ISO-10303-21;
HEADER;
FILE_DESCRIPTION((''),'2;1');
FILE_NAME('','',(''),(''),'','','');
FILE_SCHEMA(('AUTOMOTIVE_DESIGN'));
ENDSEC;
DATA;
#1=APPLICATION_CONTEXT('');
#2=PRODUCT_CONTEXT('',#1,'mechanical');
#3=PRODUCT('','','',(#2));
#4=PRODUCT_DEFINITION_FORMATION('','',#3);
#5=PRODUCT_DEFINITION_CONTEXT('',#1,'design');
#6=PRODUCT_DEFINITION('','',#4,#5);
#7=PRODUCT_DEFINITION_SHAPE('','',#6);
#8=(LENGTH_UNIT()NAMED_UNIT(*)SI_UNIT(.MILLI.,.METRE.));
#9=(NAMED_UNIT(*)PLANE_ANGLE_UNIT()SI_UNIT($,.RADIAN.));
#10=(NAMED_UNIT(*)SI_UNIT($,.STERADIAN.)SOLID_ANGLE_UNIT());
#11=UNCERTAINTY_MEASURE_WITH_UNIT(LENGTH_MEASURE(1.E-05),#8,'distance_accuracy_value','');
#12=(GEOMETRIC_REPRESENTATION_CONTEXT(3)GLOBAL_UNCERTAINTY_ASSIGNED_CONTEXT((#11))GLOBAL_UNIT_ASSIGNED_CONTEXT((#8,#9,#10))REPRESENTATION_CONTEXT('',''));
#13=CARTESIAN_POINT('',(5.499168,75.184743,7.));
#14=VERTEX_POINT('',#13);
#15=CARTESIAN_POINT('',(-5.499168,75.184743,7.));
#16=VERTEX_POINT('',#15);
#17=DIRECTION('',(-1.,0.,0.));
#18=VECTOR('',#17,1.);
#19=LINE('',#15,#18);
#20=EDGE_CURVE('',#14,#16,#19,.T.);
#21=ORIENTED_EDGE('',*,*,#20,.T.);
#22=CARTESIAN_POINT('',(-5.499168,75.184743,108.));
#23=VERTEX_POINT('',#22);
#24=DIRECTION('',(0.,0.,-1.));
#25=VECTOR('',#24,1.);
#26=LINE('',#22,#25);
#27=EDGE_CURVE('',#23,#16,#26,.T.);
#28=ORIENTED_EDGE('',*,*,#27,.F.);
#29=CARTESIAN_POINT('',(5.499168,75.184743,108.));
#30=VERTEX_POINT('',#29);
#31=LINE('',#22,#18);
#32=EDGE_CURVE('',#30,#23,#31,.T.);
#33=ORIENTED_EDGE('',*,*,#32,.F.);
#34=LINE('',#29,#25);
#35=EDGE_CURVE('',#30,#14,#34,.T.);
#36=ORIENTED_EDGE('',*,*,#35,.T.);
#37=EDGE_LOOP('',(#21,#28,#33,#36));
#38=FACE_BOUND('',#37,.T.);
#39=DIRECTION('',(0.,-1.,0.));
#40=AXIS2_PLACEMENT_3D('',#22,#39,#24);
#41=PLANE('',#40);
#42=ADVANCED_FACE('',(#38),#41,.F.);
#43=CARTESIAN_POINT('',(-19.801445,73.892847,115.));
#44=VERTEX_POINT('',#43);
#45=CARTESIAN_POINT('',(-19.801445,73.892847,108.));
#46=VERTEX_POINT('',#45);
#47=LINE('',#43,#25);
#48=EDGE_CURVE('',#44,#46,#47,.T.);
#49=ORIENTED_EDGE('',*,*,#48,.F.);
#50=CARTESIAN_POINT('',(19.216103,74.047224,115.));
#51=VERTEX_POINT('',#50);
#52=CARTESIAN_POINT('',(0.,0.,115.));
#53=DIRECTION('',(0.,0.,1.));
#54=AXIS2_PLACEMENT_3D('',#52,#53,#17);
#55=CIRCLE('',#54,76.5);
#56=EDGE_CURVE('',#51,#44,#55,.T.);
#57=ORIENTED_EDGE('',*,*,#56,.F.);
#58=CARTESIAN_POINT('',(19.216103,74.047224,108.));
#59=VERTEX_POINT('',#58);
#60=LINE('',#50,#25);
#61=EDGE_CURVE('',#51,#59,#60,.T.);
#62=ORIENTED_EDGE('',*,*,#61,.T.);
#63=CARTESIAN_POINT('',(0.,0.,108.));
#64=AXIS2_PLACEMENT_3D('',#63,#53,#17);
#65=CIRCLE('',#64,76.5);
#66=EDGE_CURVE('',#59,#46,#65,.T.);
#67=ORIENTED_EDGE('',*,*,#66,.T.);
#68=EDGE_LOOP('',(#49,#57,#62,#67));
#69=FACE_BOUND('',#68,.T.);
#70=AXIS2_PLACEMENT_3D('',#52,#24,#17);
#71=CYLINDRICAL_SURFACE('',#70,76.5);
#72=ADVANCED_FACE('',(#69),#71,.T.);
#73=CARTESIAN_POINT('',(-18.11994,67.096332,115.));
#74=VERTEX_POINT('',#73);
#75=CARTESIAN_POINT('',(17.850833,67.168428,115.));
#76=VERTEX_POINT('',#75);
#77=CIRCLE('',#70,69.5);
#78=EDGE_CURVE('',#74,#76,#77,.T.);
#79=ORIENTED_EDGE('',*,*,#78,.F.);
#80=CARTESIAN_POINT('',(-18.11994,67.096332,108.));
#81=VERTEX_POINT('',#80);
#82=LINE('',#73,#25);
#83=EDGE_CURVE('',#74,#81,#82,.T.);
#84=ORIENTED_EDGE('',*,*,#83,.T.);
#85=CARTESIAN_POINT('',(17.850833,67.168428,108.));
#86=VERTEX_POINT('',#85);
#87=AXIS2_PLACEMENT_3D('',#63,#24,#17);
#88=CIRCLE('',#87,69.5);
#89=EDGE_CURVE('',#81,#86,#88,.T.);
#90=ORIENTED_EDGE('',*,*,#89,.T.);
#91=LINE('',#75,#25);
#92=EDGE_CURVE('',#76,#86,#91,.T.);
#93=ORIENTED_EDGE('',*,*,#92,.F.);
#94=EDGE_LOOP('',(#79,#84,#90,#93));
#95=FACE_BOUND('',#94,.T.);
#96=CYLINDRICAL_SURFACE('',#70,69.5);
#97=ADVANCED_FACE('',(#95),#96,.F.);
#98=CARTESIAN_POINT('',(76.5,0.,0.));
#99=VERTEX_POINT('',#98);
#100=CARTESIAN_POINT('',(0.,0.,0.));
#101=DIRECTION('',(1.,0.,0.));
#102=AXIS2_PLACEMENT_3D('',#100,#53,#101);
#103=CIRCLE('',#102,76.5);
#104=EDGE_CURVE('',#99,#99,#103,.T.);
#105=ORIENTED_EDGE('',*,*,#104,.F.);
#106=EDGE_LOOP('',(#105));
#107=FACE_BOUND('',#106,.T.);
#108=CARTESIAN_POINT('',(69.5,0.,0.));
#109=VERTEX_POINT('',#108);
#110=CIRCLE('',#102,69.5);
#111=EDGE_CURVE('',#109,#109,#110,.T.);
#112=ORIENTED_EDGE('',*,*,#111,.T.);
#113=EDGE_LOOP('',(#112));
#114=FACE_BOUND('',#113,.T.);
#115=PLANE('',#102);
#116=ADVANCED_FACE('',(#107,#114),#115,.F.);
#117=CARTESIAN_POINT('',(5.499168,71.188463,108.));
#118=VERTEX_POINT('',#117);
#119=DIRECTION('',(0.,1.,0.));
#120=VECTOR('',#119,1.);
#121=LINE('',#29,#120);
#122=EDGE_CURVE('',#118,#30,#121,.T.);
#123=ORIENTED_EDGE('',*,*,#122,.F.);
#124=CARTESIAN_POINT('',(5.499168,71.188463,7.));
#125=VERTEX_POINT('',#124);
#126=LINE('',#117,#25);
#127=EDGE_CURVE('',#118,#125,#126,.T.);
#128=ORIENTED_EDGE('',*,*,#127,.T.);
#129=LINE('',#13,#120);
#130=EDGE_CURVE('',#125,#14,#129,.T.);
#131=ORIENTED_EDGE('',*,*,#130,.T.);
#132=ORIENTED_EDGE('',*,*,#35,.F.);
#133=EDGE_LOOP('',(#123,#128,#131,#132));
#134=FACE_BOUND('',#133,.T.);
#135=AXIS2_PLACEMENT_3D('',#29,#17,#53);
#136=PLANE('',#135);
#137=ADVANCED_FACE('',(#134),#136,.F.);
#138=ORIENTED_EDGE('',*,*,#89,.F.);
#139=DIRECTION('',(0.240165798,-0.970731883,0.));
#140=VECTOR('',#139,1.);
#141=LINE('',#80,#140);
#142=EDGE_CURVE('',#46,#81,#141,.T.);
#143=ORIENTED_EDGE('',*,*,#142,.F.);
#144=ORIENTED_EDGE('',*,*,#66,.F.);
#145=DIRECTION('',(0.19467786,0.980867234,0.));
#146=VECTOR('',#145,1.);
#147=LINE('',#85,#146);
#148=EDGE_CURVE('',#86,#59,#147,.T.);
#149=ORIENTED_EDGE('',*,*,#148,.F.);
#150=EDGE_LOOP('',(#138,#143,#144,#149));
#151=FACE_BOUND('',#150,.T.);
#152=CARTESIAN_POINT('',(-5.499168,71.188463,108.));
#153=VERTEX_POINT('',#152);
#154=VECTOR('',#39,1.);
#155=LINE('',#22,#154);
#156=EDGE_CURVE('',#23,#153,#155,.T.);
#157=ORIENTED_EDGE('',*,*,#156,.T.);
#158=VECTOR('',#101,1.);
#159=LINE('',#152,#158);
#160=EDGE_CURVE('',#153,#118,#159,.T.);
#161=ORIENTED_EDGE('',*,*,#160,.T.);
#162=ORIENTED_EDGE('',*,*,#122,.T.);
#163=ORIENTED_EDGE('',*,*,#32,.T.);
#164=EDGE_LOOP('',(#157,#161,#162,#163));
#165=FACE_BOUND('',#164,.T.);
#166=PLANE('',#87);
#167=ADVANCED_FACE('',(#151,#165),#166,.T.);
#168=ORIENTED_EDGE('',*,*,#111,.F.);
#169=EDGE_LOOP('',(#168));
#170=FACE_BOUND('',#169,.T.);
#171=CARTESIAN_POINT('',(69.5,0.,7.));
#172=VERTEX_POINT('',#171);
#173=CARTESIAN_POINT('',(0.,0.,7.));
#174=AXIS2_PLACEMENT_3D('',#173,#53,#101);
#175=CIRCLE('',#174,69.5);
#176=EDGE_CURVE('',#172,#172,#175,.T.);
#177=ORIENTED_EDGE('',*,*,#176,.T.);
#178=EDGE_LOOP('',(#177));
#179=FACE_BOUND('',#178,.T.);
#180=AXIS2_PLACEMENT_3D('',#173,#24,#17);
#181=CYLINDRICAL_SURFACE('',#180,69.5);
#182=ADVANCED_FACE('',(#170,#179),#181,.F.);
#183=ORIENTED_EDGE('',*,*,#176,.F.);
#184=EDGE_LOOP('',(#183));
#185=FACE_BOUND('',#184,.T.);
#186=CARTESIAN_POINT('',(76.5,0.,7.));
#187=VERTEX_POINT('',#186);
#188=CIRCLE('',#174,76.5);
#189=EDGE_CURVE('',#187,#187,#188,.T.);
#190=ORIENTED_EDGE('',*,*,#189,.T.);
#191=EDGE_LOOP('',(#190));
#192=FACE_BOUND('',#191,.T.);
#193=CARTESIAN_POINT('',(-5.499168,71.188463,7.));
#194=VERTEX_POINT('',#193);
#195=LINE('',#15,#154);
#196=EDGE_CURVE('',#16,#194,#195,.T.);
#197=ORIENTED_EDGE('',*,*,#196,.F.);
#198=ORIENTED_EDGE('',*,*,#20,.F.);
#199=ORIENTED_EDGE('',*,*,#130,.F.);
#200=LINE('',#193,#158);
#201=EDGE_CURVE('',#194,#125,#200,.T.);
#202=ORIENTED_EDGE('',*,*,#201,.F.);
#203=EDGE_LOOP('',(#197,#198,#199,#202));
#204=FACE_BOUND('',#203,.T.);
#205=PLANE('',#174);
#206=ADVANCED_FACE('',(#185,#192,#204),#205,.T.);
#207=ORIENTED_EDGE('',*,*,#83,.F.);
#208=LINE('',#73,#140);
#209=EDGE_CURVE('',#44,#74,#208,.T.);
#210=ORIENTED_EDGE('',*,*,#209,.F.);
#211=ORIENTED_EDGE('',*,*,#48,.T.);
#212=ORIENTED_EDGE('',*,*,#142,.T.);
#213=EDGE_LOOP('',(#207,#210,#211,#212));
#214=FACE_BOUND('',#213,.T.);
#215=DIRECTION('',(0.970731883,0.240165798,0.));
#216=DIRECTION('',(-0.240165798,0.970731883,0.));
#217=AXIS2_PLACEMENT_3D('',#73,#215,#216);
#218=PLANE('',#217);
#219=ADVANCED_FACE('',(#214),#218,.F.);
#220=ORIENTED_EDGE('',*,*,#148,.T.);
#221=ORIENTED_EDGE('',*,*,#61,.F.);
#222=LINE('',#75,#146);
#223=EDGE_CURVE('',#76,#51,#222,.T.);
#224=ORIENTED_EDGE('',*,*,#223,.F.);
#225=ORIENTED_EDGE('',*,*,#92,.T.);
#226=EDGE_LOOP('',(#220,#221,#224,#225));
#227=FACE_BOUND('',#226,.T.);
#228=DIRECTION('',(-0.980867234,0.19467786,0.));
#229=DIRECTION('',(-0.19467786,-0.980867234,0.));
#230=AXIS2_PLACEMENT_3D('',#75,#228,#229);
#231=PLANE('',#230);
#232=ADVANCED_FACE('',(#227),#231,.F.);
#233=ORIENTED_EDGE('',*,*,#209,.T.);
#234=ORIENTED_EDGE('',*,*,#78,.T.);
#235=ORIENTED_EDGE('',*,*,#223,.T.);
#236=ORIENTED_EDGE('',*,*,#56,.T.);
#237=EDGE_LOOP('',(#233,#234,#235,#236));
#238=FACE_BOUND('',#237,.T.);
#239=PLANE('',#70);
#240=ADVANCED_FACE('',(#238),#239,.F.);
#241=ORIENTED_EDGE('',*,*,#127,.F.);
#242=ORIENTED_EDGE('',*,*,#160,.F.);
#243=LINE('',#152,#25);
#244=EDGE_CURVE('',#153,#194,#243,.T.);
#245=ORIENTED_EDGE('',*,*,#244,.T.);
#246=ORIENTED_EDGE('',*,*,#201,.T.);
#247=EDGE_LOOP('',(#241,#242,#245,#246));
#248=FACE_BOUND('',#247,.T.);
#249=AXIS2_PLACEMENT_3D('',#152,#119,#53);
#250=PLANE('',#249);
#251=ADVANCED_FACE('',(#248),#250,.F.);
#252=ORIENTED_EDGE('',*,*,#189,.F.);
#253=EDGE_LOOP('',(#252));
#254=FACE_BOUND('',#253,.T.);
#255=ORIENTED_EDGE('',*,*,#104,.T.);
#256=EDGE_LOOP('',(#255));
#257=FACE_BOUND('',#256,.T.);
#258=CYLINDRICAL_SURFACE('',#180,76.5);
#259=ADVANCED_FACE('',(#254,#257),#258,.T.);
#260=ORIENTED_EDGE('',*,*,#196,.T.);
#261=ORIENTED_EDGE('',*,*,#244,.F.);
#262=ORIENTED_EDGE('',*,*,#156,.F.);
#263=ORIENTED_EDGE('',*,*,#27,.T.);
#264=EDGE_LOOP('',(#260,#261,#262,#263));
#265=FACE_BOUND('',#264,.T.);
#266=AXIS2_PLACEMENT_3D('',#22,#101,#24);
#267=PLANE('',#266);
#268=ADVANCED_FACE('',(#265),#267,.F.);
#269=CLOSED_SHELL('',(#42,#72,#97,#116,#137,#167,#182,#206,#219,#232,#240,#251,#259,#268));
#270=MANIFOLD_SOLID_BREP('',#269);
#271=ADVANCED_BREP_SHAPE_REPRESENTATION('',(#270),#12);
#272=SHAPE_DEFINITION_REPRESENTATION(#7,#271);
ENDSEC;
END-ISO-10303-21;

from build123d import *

# Parameters (mm, degrees)
SKETCH1_R           = 76.5
SKETCH1_R_2         = 69.5
BOSS_EXTRUDE1_DEPTH = 7
SKETCH2_W           = 10.998336412
SKETCH2_H           = 3.996279506
BOSS_EXTRUDE2_DEPTH = 101
BOSS_EXTRUDE3_DEPTH = 7


with BuildPart() as part:
    # Sketch1 → Boss-Extrude1 (new body)
    with BuildSketch(Plane.XY):
        Circle(SKETCH1_R)
        Circle(SKETCH1_R_2, mode=Mode.SUBTRACT)
    extrude(amount=BOSS_EXTRUDE1_DEPTH)

    # Sketch2 → Boss-Extrude2 (add)
    with BuildSketch(Plane.XY.offset(7)):
        with Locations((0, 73.186602974)):
            Rectangle(SKETCH2_W, SKETCH2_H)
    extrude(amount=BOSS_EXTRUDE2_DEPTH)

    # Sketch3 → Boss-Extrude3 (add)
    with BuildSketch(Plane.XY.offset(108)):
        with BuildLine():
            Line((-18.119939766, 67.096332112), (-19.801444594, 73.89284669))
            ThreePointArc((-19.801444594, 73.89284669), (-0.302678458, 76.499401212), (19.216103117, 74.047223993))
            Line((19.216103117, 74.047223993), (17.850832513, 67.168428436))
            ThreePointArc((17.850832513, 67.168428436), (-0.139298774, 69.499860402), (-18.119939766, 67.096332112))
        make_face()
    extrude(amount=BOSS_EXTRUDE3_DEPTH)


solid = part.part
